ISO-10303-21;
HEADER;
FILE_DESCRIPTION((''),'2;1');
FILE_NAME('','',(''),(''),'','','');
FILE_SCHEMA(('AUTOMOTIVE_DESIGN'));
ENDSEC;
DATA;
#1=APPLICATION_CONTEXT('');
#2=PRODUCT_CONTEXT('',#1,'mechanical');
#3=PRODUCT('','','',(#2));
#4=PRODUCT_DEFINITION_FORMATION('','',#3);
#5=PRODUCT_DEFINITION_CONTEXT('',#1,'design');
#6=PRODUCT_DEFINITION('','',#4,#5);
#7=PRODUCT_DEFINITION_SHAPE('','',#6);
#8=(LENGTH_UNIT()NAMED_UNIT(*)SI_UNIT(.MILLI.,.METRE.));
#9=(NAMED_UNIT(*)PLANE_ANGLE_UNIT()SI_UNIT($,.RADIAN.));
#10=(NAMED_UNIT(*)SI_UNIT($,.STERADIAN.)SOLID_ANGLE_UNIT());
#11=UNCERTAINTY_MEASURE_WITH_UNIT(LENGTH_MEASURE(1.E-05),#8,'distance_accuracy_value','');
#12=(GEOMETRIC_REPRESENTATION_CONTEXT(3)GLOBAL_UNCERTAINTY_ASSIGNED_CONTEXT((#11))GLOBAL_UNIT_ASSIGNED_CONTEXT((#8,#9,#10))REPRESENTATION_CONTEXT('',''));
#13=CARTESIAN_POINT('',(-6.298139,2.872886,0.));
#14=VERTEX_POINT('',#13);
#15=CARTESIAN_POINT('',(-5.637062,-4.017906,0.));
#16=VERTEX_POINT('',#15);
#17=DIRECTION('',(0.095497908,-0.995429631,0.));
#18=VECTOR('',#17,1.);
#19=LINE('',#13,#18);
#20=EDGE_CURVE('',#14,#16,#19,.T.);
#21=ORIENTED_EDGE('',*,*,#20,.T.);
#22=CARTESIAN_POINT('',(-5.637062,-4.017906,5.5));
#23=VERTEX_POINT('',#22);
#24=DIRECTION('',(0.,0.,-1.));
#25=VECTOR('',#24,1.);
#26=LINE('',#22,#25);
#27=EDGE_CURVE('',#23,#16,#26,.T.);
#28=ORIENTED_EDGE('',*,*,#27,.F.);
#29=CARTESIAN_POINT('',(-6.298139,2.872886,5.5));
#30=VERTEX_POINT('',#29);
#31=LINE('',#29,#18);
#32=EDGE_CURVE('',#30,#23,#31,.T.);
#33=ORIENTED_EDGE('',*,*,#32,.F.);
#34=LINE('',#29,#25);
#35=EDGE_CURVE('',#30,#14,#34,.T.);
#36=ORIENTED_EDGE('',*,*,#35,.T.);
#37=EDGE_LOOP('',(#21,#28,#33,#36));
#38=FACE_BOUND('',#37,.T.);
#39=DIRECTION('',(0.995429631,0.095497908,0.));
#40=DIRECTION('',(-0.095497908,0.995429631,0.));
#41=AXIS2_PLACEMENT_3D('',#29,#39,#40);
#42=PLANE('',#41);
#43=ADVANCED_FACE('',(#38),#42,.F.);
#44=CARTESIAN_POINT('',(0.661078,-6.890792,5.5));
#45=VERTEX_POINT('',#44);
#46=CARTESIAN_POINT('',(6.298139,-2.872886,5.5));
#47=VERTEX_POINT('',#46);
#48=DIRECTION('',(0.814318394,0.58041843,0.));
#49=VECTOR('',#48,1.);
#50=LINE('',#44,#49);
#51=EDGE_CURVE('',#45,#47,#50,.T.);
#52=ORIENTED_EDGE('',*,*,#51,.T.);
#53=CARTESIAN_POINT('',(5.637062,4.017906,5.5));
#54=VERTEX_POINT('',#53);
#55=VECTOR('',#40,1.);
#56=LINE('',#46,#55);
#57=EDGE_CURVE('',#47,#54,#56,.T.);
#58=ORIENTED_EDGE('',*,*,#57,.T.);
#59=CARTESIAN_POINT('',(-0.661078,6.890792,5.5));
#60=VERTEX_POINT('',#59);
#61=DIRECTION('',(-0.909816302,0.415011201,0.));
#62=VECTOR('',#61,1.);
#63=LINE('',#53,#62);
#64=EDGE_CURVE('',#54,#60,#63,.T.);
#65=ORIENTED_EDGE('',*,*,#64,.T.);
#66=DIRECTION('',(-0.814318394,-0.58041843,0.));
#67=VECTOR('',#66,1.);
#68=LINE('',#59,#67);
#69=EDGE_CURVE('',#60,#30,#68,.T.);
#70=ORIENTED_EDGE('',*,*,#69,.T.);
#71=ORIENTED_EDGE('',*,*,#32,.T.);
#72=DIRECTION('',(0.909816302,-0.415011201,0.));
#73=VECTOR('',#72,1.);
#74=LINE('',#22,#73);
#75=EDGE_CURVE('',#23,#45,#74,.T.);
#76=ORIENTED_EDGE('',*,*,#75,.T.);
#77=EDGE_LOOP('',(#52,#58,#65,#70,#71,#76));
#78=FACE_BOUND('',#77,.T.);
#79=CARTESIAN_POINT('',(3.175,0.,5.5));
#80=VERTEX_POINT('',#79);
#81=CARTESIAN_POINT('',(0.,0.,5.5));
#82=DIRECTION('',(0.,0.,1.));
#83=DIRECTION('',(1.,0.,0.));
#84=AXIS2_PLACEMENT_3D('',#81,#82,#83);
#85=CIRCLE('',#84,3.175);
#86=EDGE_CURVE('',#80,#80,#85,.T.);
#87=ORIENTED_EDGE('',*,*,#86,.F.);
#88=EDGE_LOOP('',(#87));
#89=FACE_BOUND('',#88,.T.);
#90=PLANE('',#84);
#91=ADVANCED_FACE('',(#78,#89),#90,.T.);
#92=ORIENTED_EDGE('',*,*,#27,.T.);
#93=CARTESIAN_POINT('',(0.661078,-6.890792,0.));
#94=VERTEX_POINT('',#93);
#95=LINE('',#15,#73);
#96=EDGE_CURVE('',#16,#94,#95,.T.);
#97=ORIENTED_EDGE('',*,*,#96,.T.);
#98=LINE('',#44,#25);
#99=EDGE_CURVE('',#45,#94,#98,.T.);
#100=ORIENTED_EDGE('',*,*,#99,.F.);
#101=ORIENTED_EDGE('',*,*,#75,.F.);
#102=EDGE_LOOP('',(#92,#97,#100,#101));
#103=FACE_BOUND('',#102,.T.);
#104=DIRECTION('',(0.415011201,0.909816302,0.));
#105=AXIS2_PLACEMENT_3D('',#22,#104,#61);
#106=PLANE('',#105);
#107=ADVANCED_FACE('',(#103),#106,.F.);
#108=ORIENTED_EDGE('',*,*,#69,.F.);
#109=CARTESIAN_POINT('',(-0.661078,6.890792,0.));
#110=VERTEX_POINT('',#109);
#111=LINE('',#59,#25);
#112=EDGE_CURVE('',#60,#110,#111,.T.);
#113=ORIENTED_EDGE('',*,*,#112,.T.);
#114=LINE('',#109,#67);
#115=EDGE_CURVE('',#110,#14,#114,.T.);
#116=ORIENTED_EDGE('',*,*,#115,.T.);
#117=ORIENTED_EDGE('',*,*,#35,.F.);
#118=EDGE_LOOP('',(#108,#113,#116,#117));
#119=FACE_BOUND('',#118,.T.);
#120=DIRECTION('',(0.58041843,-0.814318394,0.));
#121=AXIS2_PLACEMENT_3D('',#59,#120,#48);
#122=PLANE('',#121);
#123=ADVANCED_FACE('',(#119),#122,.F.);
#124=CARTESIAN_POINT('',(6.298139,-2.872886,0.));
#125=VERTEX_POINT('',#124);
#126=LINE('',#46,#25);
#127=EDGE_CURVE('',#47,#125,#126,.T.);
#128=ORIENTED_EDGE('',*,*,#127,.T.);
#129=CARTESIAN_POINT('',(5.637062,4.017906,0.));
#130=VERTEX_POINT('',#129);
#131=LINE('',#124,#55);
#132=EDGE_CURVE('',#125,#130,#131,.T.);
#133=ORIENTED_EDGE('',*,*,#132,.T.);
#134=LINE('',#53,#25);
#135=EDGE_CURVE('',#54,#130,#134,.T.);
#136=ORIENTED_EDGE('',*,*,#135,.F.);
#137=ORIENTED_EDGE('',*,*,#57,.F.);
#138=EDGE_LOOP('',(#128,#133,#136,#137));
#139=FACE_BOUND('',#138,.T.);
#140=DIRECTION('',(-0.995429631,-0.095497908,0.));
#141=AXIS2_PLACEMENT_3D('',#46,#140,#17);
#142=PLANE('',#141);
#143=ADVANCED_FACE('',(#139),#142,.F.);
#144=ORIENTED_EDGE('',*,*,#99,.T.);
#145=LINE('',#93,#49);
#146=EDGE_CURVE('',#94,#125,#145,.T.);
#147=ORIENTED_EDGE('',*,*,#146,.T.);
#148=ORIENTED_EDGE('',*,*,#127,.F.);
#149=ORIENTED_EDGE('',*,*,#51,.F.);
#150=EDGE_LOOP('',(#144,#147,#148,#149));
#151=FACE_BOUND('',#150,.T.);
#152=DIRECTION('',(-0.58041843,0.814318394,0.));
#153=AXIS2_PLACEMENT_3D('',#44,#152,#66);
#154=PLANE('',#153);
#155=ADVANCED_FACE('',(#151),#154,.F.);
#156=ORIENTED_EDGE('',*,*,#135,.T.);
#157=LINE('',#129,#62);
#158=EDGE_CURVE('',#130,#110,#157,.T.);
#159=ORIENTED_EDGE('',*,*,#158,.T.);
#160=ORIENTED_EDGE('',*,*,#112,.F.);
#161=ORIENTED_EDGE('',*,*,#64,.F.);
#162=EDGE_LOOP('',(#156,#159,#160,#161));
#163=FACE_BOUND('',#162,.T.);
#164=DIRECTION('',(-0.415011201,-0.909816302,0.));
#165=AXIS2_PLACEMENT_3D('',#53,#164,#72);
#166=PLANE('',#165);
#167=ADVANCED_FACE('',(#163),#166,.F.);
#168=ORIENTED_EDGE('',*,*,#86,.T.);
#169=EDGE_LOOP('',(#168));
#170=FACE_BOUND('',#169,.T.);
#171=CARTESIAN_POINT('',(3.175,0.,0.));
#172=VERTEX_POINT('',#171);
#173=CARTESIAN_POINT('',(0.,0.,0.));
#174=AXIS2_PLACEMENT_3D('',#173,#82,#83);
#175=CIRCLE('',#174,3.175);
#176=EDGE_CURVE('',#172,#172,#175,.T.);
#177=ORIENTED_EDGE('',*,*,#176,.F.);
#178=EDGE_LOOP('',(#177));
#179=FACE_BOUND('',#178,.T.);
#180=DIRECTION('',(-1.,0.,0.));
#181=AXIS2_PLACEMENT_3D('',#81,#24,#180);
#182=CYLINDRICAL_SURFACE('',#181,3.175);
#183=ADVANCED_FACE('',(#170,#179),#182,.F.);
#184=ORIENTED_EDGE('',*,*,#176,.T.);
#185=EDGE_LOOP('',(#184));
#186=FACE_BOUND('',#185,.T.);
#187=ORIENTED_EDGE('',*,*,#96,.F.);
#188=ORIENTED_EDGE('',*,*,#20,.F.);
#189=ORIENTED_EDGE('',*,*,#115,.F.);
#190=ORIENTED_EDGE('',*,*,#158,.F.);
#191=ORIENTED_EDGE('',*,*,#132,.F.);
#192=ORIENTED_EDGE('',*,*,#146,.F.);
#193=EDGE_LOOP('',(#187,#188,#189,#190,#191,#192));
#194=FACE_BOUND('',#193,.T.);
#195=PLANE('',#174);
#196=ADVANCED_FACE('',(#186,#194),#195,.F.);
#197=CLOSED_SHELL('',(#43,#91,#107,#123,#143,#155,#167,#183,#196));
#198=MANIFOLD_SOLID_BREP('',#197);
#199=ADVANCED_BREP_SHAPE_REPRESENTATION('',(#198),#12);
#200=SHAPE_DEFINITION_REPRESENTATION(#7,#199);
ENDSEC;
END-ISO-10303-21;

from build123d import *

# Parameters (mm, degrees)
SKETCH1_R           = 3.175
BOSS_EXTRUDE1_DEPTH = 5.5


with BuildPart() as part:
    # Sketch1 → Boss-Extrude1 (new body)
    with BuildSketch(Plane.XY):
        Polygon((-5.637061857, -4.017905792), (0.661077557, -6.890791667), (6.298139414, -2.872885875), (5.637061857, 4.017905792), (-0.661077557, 6.890791667), (-6.298139414, 2.872885875), align=None)
        Circle(SKETCH1_R, mode=Mode.SUBTRACT)
    extrude(amount=BOSS_EXTRUDE1_DEPTH)


solid = part.part
